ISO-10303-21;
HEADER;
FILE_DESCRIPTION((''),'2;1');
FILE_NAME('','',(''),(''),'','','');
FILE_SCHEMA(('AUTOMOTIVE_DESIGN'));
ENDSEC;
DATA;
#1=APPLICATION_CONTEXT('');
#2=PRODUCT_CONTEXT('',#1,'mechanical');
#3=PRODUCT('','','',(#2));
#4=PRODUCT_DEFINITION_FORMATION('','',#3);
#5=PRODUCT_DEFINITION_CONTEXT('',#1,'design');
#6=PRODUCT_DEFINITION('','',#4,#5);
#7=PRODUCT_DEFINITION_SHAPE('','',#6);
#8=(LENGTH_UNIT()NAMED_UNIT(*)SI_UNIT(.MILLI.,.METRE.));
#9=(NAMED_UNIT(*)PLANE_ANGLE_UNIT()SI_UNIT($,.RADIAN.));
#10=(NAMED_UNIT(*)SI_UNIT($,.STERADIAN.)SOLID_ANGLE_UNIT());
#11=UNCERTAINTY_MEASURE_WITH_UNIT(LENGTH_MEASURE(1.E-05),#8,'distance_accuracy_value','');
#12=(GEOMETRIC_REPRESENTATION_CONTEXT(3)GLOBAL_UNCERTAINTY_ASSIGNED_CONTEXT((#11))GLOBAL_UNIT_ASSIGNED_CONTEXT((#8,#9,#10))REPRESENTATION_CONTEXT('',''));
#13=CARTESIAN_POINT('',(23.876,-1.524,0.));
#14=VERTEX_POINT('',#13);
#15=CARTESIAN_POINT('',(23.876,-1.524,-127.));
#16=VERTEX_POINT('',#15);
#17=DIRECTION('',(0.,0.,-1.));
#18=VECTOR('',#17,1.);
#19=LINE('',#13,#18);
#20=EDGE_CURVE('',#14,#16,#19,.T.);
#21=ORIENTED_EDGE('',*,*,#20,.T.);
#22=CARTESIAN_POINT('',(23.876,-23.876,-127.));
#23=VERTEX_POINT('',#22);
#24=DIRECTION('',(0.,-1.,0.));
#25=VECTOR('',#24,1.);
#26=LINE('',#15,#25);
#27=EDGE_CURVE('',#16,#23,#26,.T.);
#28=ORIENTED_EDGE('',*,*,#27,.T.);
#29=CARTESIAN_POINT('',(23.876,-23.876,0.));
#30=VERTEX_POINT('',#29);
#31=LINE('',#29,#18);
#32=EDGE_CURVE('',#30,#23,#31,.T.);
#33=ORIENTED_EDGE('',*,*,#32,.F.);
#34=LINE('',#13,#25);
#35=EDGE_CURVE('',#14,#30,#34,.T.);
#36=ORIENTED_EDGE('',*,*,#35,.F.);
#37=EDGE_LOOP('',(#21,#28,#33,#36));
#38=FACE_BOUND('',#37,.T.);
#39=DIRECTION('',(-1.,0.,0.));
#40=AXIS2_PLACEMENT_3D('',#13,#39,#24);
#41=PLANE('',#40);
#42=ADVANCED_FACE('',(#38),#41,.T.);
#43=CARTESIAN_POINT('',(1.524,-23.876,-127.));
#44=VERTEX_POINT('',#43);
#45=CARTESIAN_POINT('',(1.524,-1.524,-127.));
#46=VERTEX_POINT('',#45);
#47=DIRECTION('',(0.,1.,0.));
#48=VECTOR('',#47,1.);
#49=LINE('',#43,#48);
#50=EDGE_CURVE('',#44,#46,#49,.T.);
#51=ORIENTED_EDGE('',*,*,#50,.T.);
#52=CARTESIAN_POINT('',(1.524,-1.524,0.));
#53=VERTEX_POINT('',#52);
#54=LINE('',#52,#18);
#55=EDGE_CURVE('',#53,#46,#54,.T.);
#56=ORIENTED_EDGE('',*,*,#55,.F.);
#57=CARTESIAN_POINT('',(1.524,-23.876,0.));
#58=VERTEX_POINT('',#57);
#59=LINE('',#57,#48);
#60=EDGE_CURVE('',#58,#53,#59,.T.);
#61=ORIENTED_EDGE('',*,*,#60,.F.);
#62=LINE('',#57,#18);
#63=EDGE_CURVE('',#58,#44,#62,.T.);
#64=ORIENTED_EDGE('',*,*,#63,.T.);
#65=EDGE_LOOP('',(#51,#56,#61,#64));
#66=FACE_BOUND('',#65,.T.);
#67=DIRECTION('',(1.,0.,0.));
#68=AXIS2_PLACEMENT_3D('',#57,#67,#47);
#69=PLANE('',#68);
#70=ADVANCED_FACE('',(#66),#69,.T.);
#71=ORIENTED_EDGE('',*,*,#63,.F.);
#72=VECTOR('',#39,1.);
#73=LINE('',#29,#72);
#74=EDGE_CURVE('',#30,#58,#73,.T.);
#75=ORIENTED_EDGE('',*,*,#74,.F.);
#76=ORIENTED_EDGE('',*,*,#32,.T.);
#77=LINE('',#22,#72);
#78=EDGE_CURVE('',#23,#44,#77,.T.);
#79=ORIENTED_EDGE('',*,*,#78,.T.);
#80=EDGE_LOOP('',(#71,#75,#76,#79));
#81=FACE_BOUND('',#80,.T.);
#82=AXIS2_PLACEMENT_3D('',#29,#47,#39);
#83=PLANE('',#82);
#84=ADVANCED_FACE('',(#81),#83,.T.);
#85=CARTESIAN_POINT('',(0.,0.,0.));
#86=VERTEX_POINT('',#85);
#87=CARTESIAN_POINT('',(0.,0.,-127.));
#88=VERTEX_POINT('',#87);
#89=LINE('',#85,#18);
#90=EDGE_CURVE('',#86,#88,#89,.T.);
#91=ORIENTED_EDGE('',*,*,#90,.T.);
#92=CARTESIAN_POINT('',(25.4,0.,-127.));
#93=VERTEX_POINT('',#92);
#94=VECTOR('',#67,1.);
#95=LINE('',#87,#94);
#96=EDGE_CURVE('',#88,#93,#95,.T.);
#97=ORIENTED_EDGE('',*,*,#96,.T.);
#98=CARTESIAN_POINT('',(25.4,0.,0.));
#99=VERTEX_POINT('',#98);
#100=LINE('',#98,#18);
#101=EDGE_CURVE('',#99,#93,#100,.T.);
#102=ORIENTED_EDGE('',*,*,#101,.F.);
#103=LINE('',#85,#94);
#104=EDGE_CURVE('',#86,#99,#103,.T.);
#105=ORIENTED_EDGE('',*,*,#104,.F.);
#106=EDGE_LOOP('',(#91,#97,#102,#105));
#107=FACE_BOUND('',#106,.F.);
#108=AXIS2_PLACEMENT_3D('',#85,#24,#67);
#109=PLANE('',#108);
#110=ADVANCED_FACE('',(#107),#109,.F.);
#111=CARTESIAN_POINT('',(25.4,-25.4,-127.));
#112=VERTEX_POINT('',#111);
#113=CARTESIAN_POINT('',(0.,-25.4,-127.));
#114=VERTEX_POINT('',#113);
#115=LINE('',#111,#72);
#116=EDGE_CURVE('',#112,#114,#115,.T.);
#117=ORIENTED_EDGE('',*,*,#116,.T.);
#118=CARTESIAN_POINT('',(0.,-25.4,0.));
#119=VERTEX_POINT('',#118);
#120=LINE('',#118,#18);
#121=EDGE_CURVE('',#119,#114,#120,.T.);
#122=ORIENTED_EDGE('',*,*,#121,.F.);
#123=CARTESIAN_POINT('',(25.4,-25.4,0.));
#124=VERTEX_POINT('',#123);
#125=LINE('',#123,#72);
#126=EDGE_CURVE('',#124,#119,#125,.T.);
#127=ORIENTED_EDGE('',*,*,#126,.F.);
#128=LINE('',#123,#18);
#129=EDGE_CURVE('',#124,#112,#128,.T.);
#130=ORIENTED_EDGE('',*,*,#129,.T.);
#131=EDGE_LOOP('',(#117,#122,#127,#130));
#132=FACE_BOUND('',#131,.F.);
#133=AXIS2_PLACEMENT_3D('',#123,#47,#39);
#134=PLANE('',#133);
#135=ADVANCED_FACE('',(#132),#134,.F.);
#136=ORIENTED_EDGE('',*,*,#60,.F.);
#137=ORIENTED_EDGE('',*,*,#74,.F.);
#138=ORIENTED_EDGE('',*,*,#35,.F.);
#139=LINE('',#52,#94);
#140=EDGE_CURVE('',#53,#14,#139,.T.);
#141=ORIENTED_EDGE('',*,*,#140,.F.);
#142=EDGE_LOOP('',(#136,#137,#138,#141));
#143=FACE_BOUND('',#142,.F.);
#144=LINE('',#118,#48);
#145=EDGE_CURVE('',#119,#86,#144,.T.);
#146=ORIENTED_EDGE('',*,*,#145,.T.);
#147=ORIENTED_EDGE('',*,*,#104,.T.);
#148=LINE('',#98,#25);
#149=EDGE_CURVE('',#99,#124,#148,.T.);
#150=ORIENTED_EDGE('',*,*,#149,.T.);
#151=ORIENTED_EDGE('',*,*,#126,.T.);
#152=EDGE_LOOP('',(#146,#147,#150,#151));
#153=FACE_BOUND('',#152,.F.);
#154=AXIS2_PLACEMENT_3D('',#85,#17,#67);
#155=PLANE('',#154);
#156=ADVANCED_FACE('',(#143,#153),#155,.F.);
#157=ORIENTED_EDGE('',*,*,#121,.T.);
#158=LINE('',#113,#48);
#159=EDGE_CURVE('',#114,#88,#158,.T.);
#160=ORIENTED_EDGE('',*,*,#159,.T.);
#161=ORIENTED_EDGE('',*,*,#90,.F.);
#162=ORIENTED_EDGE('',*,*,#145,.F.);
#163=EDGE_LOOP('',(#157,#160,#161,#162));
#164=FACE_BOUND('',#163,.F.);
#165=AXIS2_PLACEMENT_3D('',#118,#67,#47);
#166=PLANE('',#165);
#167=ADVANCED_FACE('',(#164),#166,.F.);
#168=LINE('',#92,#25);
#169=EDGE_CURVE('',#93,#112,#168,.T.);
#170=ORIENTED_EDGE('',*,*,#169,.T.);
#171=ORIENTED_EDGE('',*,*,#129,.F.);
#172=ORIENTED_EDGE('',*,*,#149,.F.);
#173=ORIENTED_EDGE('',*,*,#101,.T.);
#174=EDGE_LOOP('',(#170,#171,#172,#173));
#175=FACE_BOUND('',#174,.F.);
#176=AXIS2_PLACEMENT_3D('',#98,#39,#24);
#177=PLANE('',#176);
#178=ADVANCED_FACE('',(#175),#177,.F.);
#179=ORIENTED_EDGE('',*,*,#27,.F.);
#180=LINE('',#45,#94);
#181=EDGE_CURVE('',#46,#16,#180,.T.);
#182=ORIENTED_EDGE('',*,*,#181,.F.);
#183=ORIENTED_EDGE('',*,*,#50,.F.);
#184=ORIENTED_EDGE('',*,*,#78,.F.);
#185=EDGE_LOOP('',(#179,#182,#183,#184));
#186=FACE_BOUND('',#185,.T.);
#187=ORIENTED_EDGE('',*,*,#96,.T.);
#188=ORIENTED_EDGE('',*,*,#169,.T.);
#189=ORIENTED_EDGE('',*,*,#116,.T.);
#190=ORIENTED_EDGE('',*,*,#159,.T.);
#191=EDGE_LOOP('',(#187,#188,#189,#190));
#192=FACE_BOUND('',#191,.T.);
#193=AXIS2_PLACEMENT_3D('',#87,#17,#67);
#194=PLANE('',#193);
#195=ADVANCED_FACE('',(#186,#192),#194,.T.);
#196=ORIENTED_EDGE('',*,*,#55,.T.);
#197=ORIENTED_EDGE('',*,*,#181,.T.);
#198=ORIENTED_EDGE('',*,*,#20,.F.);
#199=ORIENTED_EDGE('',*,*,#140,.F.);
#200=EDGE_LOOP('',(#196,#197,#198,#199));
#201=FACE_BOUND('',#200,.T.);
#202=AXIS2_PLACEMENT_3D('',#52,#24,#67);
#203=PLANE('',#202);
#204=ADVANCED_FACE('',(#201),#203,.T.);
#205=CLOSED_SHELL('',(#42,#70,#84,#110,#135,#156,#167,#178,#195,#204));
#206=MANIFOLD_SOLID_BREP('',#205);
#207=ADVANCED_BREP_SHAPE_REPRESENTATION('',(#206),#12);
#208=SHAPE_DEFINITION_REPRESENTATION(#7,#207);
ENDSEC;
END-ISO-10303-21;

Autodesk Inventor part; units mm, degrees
ref_plane "YZ Plane" through (0, 0, 0) normal (1, 0, 0) x (0, 1, 0)
ref_plane "XZ Plane" through (0, 0, 0) normal (0, 1, 0) x (-1, 0, 0)
sketch "Sketch1" plane through (0, 0, 0) normal (0, 0, 1) x (1, 0, 0)
  line L0 (0, 0) -> (25.4, 0)
  line L1 (25.4, 0) -> (25.4, -25.4)
  line L2 (25.4, -25.4) -> (0, -25.4)
  line L3 (0, -25.4) -> (0, 0)
  dimension "d0" = 25.4
  dimension "d1" = 25.4
ref_plane "Work Plane1" through (0, 0, 0) normal (0, 0, -1) x (1, 0, 0)
sketch "Sketch2" plane through (0, 0, 0) normal (0, 0, -1) x (1, 0, 0)
  line L0 (1.524, 1.524) -> (23.876, 1.524)
  line L1 (23.876, 1.524) -> (23.876, 23.876)
  line L2 (23.876, 23.876) -> (1.524, 23.876)
  line L3 (1.524, 23.876) -> (1.524, 1.524)
  line L4 (0, 25.4) -> (0, 0) projected
  line L5 (0, 0) -> (25.4, 0) projected
  line L6 (25.4, 25.4) -> (0, 25.4) projected
  line L7 (25.4, 0) -> (25.4, 25.4) projected
  dimension "margin" = 1.524
  dimension "d3" = 1.524
  dimension "d4" = 1.524
  dimension "d5" = 1.524
extrude "Extrusion1" add sketch "Sketch2" along normal blind 127
equation "\"d3\" = margin"
equation "\"d4\" = margin"
equation "\"d5\" = margin"
properties part number "latch mount point"
